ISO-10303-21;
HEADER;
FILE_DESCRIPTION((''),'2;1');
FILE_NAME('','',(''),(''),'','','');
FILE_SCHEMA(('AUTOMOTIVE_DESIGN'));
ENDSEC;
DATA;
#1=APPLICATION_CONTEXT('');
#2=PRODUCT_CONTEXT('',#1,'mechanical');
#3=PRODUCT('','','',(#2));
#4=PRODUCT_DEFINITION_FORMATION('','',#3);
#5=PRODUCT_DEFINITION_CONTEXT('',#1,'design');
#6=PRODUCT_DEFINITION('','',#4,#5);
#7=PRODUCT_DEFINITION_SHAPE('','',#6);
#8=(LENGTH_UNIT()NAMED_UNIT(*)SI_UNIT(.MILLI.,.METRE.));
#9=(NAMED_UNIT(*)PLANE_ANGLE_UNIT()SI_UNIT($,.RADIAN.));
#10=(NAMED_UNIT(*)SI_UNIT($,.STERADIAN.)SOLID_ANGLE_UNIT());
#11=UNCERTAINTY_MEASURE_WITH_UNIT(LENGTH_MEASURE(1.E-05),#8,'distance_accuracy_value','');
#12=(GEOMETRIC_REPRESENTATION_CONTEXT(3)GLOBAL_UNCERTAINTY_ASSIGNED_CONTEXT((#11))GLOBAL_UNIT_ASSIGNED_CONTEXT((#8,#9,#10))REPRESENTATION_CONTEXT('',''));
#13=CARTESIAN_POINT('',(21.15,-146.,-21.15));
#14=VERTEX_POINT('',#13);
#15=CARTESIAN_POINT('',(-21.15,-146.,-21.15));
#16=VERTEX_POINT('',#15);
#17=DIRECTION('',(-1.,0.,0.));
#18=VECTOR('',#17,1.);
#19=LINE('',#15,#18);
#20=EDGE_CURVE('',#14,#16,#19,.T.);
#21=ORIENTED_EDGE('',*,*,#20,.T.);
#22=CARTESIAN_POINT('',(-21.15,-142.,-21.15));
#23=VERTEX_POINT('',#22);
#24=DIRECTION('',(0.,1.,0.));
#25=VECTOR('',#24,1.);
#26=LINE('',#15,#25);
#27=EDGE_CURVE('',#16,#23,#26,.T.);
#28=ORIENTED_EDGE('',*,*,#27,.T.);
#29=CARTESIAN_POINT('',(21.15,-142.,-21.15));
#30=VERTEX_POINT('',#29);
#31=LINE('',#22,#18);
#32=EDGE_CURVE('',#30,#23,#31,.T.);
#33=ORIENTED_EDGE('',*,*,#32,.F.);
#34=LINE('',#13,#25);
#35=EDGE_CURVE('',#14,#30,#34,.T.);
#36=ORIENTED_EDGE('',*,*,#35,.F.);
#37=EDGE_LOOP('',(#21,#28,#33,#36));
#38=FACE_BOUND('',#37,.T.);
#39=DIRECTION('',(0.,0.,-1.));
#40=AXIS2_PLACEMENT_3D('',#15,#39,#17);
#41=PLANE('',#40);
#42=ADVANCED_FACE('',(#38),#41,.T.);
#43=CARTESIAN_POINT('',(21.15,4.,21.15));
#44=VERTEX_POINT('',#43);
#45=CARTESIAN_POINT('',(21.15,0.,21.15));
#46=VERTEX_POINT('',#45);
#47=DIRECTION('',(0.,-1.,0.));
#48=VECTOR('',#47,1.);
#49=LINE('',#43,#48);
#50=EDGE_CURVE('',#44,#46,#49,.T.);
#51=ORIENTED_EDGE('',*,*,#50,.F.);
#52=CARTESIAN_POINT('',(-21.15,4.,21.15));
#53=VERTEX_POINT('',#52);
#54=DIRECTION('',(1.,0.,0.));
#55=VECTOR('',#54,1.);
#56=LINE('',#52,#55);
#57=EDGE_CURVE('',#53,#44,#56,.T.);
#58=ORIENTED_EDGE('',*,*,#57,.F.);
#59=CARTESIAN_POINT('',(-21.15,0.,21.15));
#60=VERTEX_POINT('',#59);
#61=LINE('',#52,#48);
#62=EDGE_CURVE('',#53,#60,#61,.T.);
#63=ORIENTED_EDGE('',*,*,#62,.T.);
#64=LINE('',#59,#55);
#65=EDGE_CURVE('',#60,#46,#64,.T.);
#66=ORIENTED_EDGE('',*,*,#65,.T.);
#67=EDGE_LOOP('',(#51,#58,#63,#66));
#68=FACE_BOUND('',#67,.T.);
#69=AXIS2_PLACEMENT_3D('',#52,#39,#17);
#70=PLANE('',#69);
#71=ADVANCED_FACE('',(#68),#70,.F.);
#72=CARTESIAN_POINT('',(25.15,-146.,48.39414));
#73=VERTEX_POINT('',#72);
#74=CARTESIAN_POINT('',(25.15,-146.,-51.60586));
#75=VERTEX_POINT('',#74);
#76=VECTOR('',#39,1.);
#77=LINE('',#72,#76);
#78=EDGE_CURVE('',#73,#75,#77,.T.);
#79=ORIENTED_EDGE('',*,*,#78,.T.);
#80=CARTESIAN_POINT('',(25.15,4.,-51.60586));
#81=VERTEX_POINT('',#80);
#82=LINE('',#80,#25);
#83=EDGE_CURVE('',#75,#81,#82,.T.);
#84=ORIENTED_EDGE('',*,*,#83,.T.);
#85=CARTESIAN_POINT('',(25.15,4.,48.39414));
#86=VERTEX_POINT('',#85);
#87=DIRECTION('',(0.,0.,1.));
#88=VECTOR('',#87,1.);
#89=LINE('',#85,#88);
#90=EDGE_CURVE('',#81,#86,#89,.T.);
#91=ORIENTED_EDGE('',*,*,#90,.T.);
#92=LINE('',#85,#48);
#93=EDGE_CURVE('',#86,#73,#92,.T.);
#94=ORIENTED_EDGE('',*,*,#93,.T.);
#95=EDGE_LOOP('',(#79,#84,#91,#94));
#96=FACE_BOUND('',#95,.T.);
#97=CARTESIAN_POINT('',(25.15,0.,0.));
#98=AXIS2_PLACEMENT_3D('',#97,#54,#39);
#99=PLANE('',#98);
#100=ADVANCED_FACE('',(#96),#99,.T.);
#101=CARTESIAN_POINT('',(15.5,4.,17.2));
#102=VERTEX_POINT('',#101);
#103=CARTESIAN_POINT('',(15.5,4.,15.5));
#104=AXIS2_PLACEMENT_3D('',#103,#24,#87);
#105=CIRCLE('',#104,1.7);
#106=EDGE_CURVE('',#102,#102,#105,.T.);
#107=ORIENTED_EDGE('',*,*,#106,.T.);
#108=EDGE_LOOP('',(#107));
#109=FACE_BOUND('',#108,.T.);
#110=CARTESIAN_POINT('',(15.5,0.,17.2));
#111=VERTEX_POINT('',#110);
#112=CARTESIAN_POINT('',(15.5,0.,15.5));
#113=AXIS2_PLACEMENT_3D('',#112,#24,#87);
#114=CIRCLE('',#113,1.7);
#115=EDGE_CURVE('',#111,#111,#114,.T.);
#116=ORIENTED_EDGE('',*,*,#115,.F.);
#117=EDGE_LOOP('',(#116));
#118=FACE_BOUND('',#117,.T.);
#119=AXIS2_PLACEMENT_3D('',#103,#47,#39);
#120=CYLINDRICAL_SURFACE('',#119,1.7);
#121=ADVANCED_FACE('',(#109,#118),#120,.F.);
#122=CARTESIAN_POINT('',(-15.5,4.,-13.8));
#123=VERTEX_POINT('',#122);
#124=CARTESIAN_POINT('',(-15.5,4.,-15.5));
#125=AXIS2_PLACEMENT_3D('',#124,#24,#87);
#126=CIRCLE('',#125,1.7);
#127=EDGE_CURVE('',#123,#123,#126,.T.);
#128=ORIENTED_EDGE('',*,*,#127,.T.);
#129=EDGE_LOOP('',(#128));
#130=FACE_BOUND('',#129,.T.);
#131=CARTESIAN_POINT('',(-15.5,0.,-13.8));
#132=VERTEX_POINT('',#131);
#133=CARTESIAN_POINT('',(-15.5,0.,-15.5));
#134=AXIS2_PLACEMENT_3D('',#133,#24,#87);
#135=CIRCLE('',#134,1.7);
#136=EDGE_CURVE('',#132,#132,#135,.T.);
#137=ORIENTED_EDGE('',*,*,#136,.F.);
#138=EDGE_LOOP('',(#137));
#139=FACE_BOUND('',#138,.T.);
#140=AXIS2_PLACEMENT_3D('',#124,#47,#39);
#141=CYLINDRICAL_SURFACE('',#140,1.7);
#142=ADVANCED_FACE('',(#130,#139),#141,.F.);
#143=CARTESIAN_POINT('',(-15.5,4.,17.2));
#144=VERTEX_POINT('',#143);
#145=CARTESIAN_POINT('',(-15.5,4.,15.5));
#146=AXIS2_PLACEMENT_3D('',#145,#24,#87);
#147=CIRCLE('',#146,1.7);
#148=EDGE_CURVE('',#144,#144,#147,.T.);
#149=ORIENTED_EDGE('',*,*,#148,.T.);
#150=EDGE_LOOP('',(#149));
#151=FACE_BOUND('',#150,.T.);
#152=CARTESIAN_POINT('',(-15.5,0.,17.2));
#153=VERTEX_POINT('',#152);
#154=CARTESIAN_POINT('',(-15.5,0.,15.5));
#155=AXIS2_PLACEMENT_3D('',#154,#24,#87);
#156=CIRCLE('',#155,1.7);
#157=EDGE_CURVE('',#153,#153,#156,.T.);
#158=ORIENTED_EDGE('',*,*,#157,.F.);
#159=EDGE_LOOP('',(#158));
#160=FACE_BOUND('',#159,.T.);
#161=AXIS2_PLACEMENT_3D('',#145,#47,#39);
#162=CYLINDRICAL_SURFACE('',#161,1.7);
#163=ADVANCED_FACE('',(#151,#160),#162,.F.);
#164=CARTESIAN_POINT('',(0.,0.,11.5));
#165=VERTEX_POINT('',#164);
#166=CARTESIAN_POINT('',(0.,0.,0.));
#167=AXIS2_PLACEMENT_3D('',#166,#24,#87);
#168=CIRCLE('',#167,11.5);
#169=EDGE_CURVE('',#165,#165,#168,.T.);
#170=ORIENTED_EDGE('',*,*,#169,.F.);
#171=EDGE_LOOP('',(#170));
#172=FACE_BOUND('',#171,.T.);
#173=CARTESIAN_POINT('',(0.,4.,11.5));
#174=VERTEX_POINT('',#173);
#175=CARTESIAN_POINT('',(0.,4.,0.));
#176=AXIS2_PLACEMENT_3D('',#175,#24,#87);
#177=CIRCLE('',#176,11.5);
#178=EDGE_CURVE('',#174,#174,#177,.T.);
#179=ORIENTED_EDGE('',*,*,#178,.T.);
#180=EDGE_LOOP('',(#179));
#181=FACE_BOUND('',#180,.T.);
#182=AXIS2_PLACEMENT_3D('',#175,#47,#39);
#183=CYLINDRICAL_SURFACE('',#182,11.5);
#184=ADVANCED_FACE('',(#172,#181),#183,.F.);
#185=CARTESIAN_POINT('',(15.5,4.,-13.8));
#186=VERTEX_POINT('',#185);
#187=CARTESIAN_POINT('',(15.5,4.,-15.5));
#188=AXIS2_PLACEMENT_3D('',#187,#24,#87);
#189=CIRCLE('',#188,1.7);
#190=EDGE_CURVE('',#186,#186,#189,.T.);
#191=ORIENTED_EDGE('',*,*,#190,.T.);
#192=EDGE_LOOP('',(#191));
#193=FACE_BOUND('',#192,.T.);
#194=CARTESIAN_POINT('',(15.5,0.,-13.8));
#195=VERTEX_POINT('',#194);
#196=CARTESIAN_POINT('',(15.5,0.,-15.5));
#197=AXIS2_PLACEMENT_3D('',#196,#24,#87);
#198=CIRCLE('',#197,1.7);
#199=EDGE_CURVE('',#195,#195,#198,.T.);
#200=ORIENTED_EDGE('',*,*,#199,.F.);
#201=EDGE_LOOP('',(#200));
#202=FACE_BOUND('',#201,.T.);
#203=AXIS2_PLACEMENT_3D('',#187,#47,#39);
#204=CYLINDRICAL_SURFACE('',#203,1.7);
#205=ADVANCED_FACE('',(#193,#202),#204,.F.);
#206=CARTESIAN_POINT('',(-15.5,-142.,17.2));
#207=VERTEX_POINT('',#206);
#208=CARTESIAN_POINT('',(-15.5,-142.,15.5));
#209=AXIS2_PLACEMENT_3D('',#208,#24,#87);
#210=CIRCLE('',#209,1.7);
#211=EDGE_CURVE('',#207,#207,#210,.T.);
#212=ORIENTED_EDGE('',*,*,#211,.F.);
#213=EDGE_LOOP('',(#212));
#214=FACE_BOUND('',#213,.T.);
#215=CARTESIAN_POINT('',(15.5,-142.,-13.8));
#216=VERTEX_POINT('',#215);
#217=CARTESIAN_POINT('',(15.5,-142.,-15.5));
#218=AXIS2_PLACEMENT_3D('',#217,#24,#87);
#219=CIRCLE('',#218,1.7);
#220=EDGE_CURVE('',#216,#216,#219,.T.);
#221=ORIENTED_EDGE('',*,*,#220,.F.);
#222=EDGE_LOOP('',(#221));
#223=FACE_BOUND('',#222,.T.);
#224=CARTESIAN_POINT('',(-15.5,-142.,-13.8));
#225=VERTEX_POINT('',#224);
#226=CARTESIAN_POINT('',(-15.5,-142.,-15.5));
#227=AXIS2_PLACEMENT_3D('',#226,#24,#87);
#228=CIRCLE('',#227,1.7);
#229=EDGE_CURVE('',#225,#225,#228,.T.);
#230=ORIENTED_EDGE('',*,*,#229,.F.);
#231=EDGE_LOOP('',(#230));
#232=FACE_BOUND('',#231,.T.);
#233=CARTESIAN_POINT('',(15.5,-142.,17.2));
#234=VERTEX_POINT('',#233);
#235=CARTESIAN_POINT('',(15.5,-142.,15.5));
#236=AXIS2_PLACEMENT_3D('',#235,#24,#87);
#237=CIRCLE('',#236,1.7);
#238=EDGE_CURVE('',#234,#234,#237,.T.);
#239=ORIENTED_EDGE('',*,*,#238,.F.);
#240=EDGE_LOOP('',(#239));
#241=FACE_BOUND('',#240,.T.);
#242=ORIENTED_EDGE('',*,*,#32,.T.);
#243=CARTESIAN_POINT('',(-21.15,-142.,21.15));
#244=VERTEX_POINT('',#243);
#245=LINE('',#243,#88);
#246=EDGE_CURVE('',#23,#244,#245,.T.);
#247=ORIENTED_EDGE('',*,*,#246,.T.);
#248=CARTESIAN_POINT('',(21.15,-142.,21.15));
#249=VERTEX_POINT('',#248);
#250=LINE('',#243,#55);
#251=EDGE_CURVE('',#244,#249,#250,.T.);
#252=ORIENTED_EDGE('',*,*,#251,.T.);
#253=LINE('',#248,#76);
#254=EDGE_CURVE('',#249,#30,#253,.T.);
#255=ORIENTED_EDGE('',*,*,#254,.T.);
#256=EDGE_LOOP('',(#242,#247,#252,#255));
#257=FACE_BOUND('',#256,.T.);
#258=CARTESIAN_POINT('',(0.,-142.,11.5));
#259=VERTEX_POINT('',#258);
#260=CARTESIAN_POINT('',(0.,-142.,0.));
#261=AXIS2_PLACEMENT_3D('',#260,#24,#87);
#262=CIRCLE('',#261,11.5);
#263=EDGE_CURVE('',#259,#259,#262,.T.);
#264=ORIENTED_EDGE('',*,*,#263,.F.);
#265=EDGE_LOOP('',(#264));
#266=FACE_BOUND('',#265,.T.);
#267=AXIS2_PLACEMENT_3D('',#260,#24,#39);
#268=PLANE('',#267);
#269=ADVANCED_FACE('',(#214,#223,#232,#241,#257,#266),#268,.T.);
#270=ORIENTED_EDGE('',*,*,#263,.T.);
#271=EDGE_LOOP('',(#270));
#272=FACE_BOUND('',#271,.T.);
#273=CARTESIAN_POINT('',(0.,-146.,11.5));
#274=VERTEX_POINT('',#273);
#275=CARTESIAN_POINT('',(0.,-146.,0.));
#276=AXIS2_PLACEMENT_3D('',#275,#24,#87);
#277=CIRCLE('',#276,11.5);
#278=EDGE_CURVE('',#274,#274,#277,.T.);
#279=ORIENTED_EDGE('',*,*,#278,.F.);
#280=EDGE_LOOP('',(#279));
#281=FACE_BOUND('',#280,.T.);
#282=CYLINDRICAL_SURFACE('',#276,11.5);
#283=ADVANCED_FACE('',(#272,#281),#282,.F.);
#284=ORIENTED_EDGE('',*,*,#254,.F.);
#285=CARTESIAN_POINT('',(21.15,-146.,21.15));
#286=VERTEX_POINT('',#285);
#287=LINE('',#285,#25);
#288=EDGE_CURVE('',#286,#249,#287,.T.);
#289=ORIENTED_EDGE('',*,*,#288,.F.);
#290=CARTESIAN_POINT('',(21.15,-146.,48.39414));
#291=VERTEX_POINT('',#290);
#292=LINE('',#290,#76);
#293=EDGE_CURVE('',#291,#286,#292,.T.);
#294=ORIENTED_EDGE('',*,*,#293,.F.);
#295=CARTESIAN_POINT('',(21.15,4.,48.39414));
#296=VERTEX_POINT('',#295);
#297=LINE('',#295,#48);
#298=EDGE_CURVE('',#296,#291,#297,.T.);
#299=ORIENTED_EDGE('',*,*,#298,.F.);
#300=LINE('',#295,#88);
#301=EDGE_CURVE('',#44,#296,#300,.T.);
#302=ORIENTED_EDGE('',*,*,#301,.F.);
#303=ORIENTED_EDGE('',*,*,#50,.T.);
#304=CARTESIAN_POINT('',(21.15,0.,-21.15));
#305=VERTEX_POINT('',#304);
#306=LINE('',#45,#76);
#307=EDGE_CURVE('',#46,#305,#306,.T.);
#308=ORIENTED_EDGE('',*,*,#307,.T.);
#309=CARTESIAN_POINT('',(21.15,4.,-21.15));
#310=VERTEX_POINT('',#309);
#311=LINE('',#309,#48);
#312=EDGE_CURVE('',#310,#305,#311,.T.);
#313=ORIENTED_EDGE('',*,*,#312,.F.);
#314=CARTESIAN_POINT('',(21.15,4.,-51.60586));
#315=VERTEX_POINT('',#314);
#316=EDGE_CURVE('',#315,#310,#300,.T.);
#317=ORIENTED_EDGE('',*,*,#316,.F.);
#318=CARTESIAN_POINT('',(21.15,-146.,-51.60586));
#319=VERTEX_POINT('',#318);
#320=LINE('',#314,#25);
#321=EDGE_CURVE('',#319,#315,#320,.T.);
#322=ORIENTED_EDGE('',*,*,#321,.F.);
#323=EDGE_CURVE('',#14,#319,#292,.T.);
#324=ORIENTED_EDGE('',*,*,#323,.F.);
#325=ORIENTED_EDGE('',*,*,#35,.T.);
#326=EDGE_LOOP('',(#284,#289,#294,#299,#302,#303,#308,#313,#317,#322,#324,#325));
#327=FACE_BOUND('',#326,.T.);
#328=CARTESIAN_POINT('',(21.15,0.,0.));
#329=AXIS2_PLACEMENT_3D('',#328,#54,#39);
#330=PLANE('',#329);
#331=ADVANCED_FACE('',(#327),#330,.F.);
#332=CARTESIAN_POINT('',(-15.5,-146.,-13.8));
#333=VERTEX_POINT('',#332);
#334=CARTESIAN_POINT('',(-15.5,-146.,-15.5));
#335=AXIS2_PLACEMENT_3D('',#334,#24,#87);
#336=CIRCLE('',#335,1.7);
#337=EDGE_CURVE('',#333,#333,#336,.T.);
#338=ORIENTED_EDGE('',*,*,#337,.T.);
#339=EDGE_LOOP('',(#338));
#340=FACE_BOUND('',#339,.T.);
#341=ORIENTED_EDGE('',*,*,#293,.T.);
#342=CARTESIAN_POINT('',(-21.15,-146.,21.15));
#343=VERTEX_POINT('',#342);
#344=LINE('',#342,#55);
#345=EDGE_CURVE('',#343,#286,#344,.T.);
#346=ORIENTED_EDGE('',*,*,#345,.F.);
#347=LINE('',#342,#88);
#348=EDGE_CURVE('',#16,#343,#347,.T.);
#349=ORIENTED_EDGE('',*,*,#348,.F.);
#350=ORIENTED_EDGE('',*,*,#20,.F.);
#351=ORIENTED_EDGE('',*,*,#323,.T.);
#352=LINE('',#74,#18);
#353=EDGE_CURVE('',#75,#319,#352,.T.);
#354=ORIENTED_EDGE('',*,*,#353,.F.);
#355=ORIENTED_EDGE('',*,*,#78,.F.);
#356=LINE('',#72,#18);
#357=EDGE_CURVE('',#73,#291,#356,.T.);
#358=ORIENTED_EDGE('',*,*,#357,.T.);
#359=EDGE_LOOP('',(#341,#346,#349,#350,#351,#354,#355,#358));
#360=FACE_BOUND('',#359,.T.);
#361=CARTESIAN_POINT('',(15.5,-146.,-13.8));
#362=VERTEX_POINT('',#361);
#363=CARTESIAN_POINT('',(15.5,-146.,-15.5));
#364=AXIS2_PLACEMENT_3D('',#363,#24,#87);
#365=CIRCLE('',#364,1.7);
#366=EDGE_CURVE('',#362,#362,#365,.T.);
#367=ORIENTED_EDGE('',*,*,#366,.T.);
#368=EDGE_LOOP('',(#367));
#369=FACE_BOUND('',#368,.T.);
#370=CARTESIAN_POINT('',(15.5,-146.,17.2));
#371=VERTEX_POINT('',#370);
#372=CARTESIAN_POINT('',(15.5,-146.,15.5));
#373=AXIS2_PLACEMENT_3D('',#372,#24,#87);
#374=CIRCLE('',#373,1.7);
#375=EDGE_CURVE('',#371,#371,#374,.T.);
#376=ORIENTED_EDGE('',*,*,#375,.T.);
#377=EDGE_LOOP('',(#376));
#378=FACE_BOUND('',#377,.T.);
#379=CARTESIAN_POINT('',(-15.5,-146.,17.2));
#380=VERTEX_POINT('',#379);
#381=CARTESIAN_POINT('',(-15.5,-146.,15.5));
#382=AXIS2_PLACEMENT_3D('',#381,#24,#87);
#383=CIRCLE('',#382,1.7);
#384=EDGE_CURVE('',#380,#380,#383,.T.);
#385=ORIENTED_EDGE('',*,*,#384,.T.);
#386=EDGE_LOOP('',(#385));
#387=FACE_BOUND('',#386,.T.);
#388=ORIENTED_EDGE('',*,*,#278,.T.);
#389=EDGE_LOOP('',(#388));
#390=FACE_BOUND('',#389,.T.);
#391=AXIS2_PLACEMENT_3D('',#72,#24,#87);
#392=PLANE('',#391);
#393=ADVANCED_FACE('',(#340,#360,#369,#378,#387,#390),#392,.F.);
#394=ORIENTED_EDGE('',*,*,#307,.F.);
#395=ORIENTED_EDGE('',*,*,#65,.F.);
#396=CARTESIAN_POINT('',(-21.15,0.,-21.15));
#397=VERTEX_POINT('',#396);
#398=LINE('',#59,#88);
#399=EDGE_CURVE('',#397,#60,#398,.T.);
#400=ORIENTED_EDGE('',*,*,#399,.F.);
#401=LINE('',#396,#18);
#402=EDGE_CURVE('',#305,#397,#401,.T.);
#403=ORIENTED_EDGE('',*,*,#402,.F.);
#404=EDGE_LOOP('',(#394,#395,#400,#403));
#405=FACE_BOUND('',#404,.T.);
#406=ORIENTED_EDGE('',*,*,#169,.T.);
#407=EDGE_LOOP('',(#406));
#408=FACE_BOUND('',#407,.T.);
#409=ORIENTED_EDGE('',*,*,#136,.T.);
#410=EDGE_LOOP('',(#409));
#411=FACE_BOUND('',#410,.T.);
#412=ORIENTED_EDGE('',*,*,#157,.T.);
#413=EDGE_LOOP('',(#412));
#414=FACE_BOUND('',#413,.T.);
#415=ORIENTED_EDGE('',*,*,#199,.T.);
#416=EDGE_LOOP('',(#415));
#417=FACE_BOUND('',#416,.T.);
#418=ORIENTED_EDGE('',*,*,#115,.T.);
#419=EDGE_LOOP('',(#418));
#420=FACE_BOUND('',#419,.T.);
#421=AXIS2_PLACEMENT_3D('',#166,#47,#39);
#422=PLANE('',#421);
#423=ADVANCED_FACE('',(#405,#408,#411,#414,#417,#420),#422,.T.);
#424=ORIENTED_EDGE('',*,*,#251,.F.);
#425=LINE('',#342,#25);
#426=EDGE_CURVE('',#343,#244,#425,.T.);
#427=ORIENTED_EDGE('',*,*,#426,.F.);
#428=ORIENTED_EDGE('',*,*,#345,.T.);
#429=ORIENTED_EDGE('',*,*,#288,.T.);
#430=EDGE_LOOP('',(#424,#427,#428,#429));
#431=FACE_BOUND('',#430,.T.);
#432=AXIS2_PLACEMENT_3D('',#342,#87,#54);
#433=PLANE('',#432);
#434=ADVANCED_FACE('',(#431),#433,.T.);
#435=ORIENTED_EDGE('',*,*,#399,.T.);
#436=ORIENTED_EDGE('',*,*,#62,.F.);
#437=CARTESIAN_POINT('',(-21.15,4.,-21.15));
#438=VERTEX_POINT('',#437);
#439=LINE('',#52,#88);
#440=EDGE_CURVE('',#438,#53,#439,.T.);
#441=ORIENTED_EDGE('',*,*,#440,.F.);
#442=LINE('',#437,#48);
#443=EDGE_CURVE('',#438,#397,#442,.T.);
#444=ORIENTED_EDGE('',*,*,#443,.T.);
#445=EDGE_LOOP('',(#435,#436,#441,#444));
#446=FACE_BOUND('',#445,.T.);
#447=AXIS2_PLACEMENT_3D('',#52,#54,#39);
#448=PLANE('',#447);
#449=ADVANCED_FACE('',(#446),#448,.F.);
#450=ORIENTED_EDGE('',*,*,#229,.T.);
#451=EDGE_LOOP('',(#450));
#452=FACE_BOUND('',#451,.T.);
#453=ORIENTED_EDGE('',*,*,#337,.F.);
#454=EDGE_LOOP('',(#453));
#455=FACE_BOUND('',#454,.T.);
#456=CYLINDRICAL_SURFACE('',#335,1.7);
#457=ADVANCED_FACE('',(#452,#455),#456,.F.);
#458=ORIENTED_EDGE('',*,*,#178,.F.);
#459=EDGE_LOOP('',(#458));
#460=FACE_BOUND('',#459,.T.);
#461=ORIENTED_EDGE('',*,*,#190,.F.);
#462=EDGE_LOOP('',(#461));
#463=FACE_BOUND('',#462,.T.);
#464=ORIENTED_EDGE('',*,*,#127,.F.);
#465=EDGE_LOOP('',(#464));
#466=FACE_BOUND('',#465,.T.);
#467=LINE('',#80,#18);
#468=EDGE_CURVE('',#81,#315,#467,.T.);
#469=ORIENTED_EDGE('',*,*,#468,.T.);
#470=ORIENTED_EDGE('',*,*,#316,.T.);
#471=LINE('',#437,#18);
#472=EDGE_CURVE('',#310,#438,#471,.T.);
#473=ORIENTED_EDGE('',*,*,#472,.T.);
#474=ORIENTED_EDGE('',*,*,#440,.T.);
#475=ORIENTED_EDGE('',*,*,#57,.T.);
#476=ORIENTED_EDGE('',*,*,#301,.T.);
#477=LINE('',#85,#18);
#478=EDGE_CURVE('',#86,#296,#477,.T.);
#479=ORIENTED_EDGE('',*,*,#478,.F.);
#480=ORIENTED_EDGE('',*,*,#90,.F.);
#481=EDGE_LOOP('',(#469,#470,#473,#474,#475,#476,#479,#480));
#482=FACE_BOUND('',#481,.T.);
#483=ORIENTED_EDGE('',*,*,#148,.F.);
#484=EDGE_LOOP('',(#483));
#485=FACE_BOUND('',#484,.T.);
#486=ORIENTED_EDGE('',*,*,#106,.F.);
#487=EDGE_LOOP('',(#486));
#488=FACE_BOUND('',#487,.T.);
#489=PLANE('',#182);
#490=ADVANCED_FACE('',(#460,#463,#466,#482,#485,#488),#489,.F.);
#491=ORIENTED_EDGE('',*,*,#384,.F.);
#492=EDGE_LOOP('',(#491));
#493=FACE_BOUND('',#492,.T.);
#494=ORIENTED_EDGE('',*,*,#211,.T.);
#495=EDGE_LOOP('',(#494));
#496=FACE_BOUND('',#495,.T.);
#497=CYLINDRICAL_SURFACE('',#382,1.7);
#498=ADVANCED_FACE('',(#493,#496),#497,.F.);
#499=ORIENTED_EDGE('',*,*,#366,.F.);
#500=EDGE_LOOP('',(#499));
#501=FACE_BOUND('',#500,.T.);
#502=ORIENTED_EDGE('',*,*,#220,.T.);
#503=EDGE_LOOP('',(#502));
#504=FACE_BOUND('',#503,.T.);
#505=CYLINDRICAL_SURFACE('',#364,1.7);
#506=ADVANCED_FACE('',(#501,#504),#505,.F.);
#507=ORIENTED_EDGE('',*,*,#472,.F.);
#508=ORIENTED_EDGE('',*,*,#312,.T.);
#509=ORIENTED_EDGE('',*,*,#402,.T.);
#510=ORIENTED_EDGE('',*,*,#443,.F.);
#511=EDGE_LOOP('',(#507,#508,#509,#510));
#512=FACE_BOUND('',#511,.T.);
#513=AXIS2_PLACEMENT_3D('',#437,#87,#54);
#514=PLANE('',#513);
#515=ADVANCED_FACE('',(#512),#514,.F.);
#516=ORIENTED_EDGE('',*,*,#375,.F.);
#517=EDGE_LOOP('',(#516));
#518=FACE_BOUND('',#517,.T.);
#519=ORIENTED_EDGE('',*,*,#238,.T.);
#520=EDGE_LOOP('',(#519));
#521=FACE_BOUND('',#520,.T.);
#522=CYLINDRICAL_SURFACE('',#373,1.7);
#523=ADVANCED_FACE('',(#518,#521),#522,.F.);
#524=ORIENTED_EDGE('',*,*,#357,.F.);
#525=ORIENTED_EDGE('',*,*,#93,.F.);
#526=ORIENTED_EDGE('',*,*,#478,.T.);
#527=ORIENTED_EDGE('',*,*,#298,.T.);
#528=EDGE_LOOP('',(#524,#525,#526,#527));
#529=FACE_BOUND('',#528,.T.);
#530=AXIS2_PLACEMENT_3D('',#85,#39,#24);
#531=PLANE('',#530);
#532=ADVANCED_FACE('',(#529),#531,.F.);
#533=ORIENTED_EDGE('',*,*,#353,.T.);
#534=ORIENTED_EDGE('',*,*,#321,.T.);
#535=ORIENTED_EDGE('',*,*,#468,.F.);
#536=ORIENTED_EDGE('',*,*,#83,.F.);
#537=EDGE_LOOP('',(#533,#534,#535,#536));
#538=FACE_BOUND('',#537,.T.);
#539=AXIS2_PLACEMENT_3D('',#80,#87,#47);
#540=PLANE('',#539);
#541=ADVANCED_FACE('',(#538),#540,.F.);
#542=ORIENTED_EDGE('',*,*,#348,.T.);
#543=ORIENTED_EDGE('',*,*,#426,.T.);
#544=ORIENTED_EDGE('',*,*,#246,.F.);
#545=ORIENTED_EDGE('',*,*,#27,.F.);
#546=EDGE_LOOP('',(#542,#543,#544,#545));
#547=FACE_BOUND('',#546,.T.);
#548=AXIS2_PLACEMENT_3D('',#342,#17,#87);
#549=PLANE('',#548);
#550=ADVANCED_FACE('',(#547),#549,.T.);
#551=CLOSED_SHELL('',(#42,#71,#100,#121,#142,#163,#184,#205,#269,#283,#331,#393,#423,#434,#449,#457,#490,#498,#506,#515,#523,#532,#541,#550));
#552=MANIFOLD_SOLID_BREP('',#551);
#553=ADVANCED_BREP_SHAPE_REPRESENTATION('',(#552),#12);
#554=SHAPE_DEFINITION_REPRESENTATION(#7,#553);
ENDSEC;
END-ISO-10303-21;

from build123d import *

# Parameters (mm, degrees)
SKETCH2_W           = 42.3
SKETCH2_H           = 42.3
SKETCH2_R           = 1.7
SKETCH2_R_2         = 11.5
BOSS_EXTRUDE1_DEPTH = 4
SKETCH10_W          = 100
SKETCH10_H          = 150
BOSS_EXTRUDE3_DEPTH = 4


with BuildPart() as part:
    # Sketch2 → Boss-Extrude1 (new body)
    with BuildSketch(Plane(origin=(0, 0, 0), x_dir=(1, 0, 0), z_dir=(0, 1, 0))):
        Rectangle(SKETCH2_W, SKETCH2_H)
        with Locations(Location((-15.5, 15.5, 0), (0, 0, 270))):
            Circle(SKETCH2_R, mode=Mode.SUBTRACT)
        with Locations(Location((15.5, 15.5, 0), (0, 0, 270))):
            Circle(SKETCH2_R, mode=Mode.SUBTRACT)
        with Locations(Location((15.5, -15.5, 0), (0, 0, 270))):
            Circle(SKETCH2_R, mode=Mode.SUBTRACT)
        with Locations(Location((-15.5, -15.5, 0), (0, 0, 270))):
            Circle(SKETCH2_R, mode=Mode.SUBTRACT)
        with Locations(Location((0, 0, 0), (0, 0, 270))):
            Circle(SKETCH2_R_2, mode=Mode.SUBTRACT)
    boss_extrude1 = extrude(amount=BOSS_EXTRUDE1_DEPTH)

    # Sketch10 → Boss-Extrude3 (add)
    with BuildSketch(Plane(origin=(21.15, 4, 21.15), x_dir=(0, 0, -1), z_dir=(1, 0, 0))):
        with Locations((22.755859724, -75)):
            Rectangle(SKETCH10_W, SKETCH10_H)
    extrude(amount=BOSS_EXTRUDE3_DEPTH)

    # Mirror1: Boss-Extrude1 across plane
    add(boss_extrude1.mirror(Plane(origin=(0, -71, 0), x_dir=(0, 0, 1), z_dir=(0, -1, 0))))


solid = part.part
